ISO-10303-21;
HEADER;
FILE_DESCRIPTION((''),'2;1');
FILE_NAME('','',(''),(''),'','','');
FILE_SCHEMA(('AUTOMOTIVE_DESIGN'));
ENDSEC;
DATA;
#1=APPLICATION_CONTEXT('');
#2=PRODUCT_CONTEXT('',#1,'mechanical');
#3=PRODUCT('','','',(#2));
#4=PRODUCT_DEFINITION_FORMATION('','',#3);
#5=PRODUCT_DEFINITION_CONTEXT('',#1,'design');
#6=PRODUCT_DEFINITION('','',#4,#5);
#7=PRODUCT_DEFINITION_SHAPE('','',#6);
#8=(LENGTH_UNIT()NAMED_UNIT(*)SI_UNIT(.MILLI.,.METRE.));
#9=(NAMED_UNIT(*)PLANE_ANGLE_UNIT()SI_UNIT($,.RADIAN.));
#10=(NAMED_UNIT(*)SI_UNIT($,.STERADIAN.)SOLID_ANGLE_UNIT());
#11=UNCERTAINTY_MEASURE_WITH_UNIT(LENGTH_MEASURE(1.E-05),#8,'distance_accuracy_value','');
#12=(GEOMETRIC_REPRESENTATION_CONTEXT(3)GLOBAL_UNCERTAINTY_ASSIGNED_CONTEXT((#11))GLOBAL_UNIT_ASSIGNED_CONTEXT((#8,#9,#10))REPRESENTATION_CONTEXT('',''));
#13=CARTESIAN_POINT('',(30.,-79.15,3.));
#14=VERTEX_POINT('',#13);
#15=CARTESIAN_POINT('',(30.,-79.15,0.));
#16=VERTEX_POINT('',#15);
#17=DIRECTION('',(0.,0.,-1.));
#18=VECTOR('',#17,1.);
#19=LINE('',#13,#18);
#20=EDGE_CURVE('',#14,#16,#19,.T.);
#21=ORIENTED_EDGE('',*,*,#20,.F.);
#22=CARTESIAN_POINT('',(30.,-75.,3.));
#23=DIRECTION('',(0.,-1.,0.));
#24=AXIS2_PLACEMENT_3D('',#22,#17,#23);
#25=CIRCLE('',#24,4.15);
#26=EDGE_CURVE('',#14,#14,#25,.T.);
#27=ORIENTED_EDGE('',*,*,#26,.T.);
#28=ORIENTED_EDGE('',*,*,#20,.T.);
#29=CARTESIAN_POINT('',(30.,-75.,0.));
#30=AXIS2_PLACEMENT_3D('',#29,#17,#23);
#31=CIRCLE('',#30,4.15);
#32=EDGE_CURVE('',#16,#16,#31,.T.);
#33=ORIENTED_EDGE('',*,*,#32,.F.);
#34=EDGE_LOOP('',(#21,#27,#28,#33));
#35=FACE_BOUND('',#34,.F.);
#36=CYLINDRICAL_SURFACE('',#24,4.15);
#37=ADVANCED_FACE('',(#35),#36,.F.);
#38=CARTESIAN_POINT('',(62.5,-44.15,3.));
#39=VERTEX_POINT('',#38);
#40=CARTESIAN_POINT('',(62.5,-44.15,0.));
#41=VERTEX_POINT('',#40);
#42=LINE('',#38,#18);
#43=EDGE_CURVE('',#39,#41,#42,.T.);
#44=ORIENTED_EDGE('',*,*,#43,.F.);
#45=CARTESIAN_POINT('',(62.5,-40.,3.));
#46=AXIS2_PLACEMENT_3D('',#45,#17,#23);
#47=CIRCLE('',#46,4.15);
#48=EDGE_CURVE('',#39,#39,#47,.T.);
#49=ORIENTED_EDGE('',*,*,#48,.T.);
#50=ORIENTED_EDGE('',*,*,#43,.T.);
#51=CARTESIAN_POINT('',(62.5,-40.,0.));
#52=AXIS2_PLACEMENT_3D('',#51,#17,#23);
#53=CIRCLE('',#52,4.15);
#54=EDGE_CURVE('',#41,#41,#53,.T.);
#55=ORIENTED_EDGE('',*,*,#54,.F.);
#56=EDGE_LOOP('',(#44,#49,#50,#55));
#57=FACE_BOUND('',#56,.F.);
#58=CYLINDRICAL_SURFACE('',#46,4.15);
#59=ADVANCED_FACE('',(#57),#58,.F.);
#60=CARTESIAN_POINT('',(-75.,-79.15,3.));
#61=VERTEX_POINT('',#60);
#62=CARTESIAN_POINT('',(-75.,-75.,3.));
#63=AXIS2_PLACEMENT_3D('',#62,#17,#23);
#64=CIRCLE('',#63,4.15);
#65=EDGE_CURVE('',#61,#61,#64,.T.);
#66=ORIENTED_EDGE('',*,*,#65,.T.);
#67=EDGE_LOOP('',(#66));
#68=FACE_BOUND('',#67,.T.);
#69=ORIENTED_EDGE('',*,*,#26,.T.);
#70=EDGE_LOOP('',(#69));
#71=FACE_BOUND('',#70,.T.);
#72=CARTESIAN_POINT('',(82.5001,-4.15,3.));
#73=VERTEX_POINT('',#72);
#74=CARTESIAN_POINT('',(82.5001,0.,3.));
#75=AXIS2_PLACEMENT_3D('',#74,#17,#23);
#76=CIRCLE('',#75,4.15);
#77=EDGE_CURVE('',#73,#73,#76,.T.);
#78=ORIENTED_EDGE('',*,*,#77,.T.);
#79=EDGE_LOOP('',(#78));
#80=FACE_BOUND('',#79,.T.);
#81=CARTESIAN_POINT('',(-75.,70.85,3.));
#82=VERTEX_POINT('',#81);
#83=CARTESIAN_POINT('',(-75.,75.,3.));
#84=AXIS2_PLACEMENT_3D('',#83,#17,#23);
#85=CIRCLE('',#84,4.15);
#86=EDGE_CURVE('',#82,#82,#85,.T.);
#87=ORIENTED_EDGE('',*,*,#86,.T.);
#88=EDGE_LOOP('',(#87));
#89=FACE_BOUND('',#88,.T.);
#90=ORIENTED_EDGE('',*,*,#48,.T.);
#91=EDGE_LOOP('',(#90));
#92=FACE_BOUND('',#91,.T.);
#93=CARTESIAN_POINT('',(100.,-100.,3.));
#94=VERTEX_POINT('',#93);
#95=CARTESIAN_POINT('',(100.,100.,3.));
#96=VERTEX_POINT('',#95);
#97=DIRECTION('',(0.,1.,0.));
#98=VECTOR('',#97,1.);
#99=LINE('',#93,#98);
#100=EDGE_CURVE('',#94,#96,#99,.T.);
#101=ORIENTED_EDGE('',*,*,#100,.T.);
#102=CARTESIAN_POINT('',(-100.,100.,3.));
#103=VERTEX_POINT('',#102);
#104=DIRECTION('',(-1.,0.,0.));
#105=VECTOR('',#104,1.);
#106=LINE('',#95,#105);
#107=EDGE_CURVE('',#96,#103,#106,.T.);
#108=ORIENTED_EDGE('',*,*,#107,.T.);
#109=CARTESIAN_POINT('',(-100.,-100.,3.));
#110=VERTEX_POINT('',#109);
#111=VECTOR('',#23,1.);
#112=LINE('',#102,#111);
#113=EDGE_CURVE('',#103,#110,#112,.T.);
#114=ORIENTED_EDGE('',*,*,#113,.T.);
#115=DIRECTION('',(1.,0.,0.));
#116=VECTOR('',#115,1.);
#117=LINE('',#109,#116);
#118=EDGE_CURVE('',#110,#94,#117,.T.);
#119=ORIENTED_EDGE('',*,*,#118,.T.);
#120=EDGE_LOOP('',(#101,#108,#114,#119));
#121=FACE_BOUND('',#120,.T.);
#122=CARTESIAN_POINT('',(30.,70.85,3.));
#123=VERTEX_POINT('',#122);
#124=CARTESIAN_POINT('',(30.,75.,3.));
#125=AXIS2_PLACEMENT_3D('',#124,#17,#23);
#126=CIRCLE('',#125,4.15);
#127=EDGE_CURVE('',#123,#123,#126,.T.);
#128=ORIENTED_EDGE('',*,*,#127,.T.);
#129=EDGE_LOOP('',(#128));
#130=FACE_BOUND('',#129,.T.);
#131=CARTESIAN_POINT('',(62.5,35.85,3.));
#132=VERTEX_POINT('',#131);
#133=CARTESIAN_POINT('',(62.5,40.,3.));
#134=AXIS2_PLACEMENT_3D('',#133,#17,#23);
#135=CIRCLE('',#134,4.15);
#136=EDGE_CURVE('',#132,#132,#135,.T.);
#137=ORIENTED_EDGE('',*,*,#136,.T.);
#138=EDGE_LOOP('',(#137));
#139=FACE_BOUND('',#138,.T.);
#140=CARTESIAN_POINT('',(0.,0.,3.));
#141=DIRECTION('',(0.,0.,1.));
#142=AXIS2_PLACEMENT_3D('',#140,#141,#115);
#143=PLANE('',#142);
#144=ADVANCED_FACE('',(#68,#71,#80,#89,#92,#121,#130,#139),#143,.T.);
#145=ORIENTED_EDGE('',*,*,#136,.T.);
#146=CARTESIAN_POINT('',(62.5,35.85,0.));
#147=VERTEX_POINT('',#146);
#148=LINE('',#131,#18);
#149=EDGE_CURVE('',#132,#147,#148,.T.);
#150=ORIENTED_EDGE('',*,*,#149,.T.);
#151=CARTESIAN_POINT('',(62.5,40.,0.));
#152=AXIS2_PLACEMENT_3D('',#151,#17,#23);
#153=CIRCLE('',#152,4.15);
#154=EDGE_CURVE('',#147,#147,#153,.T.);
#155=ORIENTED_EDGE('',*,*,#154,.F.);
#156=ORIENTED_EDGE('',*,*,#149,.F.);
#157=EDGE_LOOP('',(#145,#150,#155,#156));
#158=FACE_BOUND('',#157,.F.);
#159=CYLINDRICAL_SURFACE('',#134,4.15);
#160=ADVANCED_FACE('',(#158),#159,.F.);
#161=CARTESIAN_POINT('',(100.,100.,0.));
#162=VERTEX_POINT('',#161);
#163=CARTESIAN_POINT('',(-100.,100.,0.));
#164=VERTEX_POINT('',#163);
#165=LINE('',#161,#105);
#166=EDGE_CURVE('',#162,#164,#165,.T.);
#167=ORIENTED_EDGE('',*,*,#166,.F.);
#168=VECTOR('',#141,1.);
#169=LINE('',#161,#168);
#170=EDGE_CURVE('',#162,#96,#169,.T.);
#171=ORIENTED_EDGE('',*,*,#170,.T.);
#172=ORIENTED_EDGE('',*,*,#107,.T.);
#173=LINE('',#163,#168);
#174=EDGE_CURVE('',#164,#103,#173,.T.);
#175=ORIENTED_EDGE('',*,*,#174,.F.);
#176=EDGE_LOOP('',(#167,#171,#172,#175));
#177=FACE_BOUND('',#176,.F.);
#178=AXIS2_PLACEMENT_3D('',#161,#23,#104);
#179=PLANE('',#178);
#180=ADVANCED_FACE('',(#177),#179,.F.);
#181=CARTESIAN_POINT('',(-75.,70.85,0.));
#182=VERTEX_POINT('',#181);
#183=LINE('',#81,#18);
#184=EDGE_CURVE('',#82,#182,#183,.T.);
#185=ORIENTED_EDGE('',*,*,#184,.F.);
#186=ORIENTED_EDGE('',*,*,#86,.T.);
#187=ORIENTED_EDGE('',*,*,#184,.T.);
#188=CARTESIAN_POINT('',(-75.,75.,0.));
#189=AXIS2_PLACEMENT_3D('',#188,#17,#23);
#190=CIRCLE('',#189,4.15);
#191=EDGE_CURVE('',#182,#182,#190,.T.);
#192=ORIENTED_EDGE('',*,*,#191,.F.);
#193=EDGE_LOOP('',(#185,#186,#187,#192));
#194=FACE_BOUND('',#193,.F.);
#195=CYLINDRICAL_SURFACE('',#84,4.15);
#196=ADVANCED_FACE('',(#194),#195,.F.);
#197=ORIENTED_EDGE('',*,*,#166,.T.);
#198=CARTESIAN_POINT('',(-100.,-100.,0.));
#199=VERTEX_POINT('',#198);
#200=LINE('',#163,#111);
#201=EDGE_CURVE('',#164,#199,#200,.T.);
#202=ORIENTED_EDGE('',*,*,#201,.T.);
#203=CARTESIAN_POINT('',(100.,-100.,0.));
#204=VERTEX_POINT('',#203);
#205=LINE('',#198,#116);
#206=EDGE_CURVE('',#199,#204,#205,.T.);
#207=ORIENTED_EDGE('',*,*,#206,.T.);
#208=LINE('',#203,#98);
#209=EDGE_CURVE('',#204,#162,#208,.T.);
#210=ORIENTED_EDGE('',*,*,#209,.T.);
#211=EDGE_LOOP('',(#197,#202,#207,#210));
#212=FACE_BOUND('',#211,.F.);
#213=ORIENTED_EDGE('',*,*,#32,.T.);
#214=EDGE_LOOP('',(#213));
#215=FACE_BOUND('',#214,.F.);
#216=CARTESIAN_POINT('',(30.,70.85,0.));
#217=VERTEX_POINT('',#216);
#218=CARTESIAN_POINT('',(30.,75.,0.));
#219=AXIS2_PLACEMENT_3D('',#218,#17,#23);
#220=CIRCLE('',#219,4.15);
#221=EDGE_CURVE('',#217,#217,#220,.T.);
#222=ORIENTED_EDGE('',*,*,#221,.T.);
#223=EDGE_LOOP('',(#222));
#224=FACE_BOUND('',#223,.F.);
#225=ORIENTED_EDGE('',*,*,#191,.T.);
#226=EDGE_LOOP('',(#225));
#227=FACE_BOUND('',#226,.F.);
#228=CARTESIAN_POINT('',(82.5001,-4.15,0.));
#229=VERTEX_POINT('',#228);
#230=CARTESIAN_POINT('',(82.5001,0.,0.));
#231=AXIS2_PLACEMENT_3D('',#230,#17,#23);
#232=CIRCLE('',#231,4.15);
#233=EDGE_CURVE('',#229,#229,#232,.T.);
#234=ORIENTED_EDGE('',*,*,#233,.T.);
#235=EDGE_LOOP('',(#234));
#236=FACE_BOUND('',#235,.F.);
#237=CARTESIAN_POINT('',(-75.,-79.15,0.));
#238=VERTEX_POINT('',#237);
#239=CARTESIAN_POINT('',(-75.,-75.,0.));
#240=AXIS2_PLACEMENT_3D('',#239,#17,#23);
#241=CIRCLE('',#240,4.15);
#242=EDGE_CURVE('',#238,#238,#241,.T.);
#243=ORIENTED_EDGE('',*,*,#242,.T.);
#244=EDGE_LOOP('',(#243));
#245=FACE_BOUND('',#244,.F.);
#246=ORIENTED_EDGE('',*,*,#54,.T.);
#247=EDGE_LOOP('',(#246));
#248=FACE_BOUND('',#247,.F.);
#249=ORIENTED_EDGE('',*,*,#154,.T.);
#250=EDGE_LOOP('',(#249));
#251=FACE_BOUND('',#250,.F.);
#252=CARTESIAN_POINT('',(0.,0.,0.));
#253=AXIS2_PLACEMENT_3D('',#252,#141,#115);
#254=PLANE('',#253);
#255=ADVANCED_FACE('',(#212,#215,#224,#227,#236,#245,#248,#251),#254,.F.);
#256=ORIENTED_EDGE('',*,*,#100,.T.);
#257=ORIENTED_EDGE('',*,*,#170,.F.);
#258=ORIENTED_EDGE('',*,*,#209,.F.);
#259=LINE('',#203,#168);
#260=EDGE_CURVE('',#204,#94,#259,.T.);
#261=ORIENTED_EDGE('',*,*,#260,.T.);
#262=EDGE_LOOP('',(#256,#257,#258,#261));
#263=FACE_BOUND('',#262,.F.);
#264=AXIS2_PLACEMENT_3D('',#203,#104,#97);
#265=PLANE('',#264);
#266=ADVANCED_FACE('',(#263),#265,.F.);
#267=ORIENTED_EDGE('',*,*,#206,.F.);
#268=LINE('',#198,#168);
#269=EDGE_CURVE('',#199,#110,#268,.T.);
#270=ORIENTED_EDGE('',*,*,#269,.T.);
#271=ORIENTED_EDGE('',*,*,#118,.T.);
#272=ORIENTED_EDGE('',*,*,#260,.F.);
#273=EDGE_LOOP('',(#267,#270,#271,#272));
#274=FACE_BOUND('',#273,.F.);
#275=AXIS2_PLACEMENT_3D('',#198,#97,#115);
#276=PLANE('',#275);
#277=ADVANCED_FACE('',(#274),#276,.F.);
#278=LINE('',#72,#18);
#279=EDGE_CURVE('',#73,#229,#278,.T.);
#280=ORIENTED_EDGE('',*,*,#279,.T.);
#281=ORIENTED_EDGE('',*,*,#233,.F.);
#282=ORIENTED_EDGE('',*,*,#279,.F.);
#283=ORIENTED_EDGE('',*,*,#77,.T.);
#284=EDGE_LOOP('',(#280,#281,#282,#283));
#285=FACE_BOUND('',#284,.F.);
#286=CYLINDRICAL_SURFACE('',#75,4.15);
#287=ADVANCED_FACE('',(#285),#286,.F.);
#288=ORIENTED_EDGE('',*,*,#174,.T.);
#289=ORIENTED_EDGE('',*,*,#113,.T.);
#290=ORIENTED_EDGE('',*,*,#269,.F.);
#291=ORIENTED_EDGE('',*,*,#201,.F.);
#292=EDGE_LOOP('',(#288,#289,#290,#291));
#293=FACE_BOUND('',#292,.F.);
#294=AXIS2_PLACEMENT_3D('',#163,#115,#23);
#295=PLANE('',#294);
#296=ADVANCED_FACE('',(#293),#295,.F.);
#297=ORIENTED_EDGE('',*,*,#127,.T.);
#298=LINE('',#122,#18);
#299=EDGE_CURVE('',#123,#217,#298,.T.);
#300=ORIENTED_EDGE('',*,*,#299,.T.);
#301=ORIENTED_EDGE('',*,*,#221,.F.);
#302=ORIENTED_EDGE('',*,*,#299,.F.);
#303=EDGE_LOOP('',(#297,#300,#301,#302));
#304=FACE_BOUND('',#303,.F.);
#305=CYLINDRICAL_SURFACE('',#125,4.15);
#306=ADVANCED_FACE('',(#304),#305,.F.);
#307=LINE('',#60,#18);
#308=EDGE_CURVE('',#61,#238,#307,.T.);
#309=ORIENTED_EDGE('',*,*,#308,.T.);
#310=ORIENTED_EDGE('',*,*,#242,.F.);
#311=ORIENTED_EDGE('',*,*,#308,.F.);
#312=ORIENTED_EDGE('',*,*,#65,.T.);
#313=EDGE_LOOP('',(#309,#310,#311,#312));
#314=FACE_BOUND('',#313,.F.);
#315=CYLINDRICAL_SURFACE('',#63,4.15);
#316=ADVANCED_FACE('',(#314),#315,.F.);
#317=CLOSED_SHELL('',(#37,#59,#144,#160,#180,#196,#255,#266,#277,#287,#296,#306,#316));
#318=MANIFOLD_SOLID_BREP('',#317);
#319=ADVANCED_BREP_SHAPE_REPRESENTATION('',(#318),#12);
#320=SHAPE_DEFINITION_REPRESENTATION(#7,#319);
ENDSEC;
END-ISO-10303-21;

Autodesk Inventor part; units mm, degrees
ref_plane "YZ Plane" through (0, 0, 0) normal (1, 0, 0) x (0, 1, 0)
ref_plane "XZ Plane" through (0, 0, 0) normal (0, 1, 0) x (-1, 0, 0)
ref_plane "XY Plane" through (0, 0, 0) normal (0, 0, 1) x (1, 0, 0)
sketch "Sketch1" plane through (0, 0, 0) normal (0, 0, 1) x (1, 0, 0)
  line L0 (-100, -100) -> (100, -100) projected
  line L1 (100, -100) -> (100, 100) projected
  line L2 (100, 100) -> (-100, 100) projected
  line L3 (-100, 100) -> (-100, -100) projected
  point P0 (0, 0)
extrude "Extrusion1" add sketch "Sketch1" along normal blind 3
sketch "Sketch2" plane through (0, 0, 3) normal (0, 0, 1) x (1, 0, 0)
  point P0 (0, 0)
  point P1 (-75, 75)
  point P2 (30, 75)
  point P3 (62.5, 40)
  point P4 (82.5001, 0)
  point P5 (62.5, -40)
  point P6 (30, -75)
  point P7 (-75, -75)
hole "Hole1" at (-75, 75, 3) at (30, 75, 3) at (62.5, 40, 3) at (82.5001, 0, 3) at (62.5, -40, 3) at (30, -75, 3) at (-75, -75, 3) direction (0, 0, -1) diameter 8.3 end through all
properties part number "PortaTornillos" material "MDF Medium Density Fiberboard"
